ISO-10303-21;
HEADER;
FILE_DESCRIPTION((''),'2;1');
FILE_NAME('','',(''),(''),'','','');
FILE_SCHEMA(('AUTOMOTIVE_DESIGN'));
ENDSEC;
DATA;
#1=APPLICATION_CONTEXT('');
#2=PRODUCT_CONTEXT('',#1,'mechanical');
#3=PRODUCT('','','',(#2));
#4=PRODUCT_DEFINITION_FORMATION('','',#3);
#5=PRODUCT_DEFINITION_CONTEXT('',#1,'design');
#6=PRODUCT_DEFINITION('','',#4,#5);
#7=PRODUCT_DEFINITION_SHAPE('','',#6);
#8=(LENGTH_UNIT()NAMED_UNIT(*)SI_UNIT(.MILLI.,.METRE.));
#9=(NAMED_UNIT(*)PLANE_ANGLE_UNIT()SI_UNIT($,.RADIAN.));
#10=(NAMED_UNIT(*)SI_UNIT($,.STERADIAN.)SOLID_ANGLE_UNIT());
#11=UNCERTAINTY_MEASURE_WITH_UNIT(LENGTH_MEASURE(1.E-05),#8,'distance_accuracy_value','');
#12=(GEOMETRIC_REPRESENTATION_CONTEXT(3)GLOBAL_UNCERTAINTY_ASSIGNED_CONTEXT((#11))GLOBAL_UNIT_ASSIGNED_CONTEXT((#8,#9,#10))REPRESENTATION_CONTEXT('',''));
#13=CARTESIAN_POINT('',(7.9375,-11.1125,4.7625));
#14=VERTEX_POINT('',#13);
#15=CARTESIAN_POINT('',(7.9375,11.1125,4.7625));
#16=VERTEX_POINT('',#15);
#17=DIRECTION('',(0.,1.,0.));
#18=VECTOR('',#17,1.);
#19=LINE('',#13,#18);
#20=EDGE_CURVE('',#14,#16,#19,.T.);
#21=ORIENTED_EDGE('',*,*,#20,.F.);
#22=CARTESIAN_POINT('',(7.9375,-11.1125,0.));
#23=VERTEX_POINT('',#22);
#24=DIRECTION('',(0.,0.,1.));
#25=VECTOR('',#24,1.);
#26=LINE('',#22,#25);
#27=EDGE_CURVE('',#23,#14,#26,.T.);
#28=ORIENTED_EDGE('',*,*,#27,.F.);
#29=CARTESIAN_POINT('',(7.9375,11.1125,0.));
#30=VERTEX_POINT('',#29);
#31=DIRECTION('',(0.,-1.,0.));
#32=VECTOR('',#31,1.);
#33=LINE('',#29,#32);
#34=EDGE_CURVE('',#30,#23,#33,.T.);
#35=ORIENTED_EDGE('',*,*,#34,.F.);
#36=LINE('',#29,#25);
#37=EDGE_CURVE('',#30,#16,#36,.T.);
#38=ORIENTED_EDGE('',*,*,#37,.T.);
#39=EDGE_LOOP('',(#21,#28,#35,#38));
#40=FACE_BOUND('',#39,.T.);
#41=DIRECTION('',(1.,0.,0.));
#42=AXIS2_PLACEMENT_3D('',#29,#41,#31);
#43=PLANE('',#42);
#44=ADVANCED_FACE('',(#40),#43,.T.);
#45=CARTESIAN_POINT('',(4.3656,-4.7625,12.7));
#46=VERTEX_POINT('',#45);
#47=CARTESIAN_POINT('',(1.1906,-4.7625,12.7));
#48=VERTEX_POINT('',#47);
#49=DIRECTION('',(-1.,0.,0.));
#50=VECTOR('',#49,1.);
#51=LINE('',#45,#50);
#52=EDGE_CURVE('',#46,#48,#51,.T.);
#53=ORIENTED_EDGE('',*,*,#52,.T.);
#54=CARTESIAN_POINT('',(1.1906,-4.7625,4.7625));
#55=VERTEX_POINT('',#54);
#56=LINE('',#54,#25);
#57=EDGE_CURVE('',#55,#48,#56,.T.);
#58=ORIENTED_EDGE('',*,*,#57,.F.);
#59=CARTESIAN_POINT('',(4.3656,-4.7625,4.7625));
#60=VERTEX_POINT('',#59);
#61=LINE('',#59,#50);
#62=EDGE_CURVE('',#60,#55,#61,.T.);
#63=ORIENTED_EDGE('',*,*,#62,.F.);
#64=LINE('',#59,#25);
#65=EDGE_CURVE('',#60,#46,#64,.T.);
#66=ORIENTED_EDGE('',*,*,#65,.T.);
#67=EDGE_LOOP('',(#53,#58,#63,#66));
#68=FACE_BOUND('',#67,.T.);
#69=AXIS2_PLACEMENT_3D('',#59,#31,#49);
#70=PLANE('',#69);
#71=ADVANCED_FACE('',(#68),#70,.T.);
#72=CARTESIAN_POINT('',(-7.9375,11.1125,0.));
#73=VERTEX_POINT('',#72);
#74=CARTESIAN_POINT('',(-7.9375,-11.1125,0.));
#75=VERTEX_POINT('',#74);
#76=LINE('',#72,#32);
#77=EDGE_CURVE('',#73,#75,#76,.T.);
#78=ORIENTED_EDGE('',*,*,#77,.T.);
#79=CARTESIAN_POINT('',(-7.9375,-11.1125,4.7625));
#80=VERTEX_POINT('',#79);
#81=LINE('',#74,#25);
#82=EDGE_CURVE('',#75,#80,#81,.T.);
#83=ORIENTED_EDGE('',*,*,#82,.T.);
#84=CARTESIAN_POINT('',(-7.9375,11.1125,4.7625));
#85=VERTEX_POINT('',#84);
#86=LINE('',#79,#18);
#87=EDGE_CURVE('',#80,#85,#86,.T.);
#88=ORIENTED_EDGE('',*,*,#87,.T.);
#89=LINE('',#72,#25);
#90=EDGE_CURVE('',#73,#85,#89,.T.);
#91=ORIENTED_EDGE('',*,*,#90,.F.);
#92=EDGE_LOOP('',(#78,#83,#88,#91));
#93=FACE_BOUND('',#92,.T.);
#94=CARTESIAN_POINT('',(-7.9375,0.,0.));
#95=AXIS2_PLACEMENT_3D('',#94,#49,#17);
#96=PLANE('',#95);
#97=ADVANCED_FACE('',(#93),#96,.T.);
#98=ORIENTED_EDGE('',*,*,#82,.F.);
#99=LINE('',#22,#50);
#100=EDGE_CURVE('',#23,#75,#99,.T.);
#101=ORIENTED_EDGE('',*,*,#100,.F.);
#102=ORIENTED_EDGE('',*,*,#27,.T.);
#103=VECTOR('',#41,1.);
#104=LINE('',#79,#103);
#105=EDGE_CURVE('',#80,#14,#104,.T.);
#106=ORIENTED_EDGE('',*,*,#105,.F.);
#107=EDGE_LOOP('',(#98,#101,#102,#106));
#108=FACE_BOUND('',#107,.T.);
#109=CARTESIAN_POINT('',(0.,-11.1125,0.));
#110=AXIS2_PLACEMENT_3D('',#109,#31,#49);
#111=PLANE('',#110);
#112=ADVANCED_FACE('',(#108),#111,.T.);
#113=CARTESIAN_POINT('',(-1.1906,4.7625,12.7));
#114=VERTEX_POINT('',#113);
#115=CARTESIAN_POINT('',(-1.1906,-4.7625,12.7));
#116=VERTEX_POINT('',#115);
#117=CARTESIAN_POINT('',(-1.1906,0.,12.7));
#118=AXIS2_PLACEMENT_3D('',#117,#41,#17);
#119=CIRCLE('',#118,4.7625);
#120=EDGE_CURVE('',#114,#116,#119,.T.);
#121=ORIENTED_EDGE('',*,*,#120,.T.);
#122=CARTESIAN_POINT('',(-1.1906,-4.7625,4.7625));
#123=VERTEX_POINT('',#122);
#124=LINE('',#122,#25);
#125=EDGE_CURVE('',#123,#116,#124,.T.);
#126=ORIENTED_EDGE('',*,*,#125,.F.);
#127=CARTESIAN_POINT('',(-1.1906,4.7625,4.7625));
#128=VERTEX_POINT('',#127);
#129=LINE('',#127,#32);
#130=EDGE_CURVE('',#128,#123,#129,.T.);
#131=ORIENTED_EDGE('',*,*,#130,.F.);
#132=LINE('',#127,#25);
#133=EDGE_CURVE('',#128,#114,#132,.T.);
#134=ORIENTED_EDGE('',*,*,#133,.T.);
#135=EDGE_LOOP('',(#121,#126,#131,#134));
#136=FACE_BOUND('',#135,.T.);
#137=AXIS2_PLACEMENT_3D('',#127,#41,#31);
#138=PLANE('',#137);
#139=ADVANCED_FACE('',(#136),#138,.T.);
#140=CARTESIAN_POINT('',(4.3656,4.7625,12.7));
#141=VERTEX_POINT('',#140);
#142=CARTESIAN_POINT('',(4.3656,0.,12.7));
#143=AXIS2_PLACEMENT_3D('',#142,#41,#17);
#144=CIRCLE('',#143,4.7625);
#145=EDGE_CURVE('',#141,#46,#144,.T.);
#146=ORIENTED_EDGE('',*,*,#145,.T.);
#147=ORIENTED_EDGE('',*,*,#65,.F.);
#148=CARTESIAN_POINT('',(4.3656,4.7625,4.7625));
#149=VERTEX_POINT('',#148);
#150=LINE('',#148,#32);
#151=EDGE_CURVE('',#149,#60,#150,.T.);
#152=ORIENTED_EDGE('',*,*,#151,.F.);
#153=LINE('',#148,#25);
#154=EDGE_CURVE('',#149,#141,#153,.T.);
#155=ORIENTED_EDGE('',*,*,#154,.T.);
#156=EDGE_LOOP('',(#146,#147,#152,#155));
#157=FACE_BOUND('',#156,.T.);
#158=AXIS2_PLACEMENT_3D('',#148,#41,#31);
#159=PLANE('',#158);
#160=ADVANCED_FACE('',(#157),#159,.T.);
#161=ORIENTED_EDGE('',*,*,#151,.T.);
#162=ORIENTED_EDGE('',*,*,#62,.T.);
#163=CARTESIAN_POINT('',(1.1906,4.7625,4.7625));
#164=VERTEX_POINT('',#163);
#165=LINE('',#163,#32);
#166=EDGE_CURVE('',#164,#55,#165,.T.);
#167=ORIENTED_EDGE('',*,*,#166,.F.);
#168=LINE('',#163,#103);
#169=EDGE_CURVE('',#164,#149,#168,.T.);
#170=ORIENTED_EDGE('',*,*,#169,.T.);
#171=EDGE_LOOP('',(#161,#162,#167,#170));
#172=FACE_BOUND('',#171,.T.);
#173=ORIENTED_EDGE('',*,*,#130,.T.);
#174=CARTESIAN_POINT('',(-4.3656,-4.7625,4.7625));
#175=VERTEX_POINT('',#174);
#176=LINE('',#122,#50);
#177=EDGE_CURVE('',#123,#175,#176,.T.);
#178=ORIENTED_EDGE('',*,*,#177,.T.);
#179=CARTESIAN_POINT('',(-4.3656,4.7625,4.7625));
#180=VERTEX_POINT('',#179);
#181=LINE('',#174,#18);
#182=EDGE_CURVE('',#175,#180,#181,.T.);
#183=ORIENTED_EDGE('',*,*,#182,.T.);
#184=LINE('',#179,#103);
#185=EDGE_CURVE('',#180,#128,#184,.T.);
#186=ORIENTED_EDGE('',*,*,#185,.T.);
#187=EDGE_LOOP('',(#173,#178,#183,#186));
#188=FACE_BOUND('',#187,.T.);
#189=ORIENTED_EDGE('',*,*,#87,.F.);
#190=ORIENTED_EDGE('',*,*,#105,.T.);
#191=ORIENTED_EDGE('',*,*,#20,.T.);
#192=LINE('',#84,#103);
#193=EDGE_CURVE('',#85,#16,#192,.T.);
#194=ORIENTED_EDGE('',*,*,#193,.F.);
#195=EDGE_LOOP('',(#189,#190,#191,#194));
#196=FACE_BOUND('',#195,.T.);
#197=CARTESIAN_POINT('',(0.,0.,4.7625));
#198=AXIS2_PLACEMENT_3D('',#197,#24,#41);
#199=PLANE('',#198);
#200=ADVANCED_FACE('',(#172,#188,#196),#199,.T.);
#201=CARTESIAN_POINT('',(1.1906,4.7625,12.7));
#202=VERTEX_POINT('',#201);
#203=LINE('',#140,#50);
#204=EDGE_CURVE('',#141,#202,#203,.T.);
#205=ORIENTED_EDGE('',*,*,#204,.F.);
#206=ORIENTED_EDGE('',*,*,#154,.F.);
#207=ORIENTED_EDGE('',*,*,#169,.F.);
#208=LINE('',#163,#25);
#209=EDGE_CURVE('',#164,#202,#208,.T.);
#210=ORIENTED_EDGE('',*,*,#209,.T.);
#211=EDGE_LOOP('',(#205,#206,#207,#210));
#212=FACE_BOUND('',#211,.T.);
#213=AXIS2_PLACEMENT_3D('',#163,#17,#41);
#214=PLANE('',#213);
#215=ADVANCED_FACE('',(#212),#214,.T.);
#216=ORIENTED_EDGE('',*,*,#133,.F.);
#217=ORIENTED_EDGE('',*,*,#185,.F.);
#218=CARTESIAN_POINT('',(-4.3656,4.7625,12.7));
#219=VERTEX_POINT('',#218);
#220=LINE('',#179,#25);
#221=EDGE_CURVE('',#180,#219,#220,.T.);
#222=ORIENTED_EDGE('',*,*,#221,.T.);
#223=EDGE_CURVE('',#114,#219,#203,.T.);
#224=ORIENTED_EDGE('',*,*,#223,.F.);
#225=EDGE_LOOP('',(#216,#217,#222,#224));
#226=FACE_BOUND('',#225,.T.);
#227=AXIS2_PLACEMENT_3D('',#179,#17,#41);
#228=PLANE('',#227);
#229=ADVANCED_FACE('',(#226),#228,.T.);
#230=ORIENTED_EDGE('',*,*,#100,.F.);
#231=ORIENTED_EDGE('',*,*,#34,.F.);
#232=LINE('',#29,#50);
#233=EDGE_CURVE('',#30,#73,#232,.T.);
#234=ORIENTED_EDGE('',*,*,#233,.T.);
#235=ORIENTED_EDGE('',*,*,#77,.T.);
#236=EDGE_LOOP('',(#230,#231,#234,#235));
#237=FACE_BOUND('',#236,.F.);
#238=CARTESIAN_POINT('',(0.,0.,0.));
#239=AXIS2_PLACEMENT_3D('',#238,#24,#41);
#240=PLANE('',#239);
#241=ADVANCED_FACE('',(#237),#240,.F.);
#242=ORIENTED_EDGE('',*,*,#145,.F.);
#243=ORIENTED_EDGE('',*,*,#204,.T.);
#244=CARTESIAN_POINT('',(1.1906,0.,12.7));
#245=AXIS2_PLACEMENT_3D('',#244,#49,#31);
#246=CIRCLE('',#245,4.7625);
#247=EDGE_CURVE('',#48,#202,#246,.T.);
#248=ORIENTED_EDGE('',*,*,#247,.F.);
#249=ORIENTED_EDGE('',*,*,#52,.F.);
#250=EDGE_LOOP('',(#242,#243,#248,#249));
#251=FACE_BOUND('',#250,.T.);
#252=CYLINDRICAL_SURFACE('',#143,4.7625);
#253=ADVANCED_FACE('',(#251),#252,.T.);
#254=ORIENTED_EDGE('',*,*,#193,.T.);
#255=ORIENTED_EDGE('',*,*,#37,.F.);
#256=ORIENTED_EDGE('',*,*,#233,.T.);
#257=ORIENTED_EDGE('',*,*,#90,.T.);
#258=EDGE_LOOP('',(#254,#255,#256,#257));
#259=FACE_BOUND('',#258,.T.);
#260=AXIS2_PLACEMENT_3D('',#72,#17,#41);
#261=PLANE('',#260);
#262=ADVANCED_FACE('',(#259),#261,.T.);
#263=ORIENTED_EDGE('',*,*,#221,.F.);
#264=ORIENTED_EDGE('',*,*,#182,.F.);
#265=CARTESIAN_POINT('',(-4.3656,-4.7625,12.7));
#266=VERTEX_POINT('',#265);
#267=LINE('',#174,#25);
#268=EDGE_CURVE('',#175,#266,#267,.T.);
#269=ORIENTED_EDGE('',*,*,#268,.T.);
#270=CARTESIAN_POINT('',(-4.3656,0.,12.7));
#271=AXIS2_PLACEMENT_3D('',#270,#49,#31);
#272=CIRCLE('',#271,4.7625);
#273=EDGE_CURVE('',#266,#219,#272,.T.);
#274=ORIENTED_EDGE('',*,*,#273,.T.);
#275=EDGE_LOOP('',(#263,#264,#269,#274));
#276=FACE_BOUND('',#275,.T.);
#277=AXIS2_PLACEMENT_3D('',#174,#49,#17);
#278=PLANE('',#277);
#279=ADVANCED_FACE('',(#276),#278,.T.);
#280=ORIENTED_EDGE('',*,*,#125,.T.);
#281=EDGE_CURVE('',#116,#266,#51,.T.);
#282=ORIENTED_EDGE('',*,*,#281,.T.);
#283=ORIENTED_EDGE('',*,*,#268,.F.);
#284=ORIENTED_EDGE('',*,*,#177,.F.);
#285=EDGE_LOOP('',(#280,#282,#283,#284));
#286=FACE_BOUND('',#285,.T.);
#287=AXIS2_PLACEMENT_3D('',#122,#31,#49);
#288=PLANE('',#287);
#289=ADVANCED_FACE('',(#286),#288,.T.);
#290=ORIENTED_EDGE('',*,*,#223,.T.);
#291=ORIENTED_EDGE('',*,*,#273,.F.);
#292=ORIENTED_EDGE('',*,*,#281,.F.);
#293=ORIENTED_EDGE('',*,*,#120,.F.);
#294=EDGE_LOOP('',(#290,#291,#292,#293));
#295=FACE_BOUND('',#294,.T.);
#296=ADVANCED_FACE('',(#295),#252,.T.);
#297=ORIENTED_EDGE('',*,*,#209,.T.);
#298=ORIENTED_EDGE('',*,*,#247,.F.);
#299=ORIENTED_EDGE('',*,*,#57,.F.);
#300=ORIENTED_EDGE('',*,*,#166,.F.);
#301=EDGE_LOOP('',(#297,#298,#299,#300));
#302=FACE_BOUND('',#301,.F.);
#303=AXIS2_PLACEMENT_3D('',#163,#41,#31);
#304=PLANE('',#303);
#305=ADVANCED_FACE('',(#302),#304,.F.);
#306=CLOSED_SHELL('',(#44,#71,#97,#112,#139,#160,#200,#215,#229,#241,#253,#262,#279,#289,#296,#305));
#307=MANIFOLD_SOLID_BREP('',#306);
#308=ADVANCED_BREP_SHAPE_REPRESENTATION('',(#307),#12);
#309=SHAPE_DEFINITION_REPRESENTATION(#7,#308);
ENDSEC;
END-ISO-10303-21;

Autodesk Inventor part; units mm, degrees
ref_plane "YZ Plane" through (0, 0, 0) normal (1, 0, 0) x (0, 1, 0)
ref_plane "XZ Plane" through (0, 0, 0) normal (0, 1, 0) x (-1, 0, 0)
ref_plane "XY Plane" through (0, 0, 0) normal (0, 0, 1) x (1, 0, 0)
sketch "Sketch1" plane through (0, 0, 0) normal (0, 0, 1) x (1, 0, 0)
  line L0 (-11.1125, 0) -> (11.1125, 0) projected
  line L1 (0, -15.5575) -> (0, 15.5575) projected
  line L2 (-7.9375, 11.1125) -> (7.9375, 11.1125)
  line L3 (7.9375, 11.1125) -> (7.9375, -11.1125)
  line L4 (7.9375, -11.1125) -> (-7.9375, -11.1125)
  line L5 (-7.9375, -11.1125) -> (-7.9375, 11.1125)
  point P0 (0, 0)
  point P1 (-7.9375, 0)
  point P2 (0, 11.1125)
  dimension "d0" = 15.875
  dimension "d1" = 22.225
extrude "Extrusion1" add sketch "Sketch1" along normal blind 4.7625
sketch "Sketch2" plane through (0, 0, 4.7625) normal (0, 0, 1) x (1, 0, 0)
  line L0 (4.3656, 4.7625) -> (4.3656, -4.7625)
  line L1 (-4.3656, -4.7625) -> (-4.3656, 4.7625)
  line L2 (-1.1906, 4.7625) -> (-1.1906, -4.7625)
  line L3 (1.1906, 4.7625) -> (1.1906, -4.7625)
  line L4 (-4.3656, 4.7625) -> (-1.1906, 4.7625)
  line L5 (1.1906, 4.7625) -> (4.3656, 4.7625)
  line L6 (4.3656, -4.7625) -> (1.1906, -4.7625)
  line L7 (-1.1906, -4.7625) -> (-4.3656, -4.7625)
  line L8 (1.1906, 4.7625) -> (-1.1906, 4.7625) construction
  line L9 (-1.1906, -4.7625) -> (1.1906, -4.7625) construction
  point P0 (0, 0)
  point P1 (-4.3656, 0)
  point P2 (0, 6.35)
  point P3 (0, 4.7625)
  dimension "d5" = 9.525
  dimension "d10" = 2.3813
  dimension "d11" = 3.175
extrude "Extrusion4" add sketch "Sketch2" along normal blind 12.7
sketch "Sketch4" plane through (4.3656, -4.7625, 4.7625) normal (1, 0, 0) x (0, 0, -1)
  line L0 (-12.7, 9.525) -> (-12.7, 0) projected
  line L1 (0, 0) -> (-12.7, 0) projected
  line L2 (0, 9.525) -> (0, 0) projected
  line L3 (0, 9.525) -> (-12.7, 9.525) projected
  arc A0 (-7.9375, 9.525) -> (-7.9375, 0) centre (-7.9375, 4.7625) ccw
  point P0 (4.7625, 4.7625)
extrude "Extrusion5" cut sketch "Sketch4" against normal through all contours L3 A0 L0 | A0 L1 L0
properties part number "piston mount bracket"
